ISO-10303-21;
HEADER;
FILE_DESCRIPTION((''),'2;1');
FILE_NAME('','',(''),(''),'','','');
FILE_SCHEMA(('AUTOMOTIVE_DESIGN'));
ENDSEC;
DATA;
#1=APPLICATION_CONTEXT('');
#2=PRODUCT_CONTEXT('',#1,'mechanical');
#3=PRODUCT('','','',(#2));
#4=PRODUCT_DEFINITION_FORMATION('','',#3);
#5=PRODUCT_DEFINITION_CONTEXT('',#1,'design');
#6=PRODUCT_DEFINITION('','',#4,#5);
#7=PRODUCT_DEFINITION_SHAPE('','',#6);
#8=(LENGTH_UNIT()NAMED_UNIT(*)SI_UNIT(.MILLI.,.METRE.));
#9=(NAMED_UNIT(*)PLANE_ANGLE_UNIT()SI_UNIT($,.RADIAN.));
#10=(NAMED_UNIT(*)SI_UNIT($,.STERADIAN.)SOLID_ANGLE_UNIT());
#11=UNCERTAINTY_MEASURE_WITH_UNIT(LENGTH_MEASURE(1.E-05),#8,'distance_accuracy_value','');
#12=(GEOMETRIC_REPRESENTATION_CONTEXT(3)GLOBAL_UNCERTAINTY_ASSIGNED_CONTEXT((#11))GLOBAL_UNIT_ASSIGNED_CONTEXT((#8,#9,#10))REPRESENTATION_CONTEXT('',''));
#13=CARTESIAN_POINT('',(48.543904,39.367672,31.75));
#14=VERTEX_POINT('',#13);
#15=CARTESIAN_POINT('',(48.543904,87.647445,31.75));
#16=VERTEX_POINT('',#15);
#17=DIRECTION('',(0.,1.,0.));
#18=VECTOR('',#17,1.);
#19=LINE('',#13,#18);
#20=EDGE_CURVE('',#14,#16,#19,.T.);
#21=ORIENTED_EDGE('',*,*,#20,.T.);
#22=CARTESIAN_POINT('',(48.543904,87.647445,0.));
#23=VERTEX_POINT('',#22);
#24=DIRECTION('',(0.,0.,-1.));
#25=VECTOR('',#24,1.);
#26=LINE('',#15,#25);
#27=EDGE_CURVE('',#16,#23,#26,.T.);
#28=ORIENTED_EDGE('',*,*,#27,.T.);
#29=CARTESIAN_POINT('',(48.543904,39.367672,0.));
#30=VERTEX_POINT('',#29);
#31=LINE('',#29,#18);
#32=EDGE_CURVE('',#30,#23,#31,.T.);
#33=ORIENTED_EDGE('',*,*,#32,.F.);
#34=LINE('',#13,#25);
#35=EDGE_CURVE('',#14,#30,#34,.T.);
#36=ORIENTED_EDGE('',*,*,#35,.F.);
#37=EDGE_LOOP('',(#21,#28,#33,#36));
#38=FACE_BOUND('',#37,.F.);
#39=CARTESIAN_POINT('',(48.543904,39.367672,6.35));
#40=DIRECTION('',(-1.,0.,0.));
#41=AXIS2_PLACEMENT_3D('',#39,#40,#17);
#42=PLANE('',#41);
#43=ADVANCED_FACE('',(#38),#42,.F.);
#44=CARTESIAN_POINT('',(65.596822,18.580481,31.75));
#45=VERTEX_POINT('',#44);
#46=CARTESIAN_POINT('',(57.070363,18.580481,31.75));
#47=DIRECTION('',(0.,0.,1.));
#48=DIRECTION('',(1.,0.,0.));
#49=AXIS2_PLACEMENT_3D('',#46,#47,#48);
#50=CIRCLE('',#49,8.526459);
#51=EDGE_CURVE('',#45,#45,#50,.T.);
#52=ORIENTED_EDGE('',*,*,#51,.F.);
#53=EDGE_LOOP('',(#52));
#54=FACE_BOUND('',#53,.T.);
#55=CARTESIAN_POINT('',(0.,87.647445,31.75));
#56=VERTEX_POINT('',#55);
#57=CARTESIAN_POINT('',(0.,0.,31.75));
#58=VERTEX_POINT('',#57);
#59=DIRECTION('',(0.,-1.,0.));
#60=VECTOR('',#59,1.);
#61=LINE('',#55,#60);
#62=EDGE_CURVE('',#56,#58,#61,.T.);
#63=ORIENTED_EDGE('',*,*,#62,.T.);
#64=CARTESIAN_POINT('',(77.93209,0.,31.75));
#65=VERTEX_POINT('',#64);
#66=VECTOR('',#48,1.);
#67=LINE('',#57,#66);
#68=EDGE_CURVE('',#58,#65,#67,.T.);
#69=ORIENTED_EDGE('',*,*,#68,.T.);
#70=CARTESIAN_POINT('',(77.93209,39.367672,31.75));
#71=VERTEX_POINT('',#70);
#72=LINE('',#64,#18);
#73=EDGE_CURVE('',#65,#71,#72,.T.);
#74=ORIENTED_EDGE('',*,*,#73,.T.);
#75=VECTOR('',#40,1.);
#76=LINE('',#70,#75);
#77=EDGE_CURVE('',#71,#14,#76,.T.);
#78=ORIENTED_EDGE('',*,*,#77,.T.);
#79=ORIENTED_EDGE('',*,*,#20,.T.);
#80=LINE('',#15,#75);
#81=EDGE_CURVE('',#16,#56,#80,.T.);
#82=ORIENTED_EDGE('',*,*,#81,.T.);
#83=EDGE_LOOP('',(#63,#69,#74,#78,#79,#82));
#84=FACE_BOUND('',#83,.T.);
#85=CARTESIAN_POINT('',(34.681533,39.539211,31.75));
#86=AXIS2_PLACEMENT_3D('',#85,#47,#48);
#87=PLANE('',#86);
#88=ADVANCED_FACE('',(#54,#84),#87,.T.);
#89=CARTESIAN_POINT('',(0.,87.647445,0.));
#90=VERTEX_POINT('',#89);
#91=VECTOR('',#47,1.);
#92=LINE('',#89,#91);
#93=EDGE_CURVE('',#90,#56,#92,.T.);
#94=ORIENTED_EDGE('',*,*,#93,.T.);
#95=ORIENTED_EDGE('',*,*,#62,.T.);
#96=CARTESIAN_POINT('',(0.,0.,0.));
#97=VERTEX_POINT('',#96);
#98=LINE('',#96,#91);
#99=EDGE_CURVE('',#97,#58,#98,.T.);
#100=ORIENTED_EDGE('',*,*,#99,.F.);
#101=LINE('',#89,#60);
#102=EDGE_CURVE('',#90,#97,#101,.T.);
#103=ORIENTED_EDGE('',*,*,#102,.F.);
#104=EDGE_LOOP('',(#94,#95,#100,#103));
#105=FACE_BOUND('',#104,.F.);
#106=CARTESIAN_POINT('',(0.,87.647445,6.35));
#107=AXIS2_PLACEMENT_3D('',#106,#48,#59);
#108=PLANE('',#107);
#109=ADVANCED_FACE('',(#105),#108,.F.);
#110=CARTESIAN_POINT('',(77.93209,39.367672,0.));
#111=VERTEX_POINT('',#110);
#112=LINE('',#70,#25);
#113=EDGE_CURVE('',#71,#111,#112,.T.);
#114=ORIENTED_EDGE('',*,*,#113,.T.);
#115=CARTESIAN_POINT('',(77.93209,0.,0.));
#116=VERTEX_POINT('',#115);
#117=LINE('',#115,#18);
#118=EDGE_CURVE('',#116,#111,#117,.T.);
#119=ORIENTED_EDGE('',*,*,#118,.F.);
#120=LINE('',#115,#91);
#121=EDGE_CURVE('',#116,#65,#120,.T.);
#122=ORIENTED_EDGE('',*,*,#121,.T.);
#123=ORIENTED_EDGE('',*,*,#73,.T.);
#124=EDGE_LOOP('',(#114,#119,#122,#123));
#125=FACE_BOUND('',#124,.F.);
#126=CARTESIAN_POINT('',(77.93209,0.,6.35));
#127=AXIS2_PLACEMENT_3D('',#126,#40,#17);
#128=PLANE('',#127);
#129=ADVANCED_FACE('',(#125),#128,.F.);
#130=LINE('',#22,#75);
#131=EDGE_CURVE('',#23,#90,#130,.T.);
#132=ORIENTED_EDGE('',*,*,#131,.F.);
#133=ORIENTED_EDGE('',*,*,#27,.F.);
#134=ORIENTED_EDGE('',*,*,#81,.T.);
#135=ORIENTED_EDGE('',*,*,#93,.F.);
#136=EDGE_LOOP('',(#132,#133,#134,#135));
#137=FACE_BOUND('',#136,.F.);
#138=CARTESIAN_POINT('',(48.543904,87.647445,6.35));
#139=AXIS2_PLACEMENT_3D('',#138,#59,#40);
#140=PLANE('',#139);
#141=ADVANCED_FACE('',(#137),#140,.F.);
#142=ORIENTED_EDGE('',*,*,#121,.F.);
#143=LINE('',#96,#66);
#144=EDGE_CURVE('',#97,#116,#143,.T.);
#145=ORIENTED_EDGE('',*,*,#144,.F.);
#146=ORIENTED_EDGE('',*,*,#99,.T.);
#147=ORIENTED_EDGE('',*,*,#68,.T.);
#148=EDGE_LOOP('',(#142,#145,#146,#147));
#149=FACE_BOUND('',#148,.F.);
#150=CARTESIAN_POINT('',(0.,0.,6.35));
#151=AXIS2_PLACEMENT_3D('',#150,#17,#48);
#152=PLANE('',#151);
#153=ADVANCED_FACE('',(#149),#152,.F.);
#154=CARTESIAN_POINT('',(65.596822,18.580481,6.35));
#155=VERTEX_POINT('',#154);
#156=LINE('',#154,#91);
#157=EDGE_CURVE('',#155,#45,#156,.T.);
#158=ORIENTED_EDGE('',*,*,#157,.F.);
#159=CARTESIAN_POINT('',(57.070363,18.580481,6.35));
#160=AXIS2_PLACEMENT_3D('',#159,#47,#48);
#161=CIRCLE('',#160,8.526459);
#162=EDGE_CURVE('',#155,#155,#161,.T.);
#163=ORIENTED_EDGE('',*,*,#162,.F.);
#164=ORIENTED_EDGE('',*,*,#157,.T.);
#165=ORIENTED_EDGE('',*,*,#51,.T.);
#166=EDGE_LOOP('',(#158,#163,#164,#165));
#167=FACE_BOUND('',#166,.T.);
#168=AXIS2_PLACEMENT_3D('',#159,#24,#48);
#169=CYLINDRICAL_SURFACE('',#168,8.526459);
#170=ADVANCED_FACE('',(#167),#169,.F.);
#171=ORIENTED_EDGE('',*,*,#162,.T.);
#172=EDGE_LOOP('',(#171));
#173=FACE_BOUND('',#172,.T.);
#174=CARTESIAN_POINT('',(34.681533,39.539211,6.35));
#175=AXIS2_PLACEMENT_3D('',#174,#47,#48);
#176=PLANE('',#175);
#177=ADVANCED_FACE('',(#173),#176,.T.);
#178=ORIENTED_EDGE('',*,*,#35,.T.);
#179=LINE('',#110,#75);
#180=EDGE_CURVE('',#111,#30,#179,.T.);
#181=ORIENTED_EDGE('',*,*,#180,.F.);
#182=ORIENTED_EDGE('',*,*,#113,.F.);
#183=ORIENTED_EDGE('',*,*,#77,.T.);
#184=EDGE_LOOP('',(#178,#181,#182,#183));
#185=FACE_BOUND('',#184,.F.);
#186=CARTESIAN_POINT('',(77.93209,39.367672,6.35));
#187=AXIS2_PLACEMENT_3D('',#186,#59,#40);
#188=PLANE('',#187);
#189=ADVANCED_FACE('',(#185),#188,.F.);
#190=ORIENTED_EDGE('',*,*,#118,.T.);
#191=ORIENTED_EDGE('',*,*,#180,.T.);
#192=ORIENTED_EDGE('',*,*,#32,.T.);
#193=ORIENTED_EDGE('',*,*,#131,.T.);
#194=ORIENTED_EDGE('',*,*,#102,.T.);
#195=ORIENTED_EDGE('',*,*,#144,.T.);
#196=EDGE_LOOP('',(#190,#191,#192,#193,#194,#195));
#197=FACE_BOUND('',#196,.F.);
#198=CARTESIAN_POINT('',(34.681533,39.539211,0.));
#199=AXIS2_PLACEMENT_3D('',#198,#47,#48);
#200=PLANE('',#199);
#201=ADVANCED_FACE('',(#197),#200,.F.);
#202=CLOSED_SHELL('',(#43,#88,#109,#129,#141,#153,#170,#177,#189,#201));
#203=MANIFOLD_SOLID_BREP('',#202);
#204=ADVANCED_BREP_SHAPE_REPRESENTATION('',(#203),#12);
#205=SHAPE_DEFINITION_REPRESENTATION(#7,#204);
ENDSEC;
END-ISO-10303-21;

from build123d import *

# Parameters (mm, degrees)
F1_DEPTH = 6.35
F2_R     = 8.526459
F3_DEPTH = 25.4


with BuildPart() as f1:
    # F0 (on Top) → F1 (new body)
    with BuildSketch(Plane.XY):
        Polygon((0, 87.647445), (0, 0), (77.93209, 0), (77.93209, 39.367672), (48.543904, 39.367672), (48.543904, 87.647445), align=None)
    extrude(amount=F1_DEPTH)

    # F2 (on face) → F3 (join)
    with BuildSketch(Plane.XY.offset(6.35)):
        Polygon((48.543904, 87.647445), (0, 87.647445), (0, 0), (77.93209, 0), (77.93209, 39.367672), (48.543904, 39.367672), align=None)
        with Locations((57.070363, 18.580481)):
            Circle(F2_R, mode=Mode.SUBTRACT)
    extrude(amount=F3_DEPTH)


solid = f1.part
